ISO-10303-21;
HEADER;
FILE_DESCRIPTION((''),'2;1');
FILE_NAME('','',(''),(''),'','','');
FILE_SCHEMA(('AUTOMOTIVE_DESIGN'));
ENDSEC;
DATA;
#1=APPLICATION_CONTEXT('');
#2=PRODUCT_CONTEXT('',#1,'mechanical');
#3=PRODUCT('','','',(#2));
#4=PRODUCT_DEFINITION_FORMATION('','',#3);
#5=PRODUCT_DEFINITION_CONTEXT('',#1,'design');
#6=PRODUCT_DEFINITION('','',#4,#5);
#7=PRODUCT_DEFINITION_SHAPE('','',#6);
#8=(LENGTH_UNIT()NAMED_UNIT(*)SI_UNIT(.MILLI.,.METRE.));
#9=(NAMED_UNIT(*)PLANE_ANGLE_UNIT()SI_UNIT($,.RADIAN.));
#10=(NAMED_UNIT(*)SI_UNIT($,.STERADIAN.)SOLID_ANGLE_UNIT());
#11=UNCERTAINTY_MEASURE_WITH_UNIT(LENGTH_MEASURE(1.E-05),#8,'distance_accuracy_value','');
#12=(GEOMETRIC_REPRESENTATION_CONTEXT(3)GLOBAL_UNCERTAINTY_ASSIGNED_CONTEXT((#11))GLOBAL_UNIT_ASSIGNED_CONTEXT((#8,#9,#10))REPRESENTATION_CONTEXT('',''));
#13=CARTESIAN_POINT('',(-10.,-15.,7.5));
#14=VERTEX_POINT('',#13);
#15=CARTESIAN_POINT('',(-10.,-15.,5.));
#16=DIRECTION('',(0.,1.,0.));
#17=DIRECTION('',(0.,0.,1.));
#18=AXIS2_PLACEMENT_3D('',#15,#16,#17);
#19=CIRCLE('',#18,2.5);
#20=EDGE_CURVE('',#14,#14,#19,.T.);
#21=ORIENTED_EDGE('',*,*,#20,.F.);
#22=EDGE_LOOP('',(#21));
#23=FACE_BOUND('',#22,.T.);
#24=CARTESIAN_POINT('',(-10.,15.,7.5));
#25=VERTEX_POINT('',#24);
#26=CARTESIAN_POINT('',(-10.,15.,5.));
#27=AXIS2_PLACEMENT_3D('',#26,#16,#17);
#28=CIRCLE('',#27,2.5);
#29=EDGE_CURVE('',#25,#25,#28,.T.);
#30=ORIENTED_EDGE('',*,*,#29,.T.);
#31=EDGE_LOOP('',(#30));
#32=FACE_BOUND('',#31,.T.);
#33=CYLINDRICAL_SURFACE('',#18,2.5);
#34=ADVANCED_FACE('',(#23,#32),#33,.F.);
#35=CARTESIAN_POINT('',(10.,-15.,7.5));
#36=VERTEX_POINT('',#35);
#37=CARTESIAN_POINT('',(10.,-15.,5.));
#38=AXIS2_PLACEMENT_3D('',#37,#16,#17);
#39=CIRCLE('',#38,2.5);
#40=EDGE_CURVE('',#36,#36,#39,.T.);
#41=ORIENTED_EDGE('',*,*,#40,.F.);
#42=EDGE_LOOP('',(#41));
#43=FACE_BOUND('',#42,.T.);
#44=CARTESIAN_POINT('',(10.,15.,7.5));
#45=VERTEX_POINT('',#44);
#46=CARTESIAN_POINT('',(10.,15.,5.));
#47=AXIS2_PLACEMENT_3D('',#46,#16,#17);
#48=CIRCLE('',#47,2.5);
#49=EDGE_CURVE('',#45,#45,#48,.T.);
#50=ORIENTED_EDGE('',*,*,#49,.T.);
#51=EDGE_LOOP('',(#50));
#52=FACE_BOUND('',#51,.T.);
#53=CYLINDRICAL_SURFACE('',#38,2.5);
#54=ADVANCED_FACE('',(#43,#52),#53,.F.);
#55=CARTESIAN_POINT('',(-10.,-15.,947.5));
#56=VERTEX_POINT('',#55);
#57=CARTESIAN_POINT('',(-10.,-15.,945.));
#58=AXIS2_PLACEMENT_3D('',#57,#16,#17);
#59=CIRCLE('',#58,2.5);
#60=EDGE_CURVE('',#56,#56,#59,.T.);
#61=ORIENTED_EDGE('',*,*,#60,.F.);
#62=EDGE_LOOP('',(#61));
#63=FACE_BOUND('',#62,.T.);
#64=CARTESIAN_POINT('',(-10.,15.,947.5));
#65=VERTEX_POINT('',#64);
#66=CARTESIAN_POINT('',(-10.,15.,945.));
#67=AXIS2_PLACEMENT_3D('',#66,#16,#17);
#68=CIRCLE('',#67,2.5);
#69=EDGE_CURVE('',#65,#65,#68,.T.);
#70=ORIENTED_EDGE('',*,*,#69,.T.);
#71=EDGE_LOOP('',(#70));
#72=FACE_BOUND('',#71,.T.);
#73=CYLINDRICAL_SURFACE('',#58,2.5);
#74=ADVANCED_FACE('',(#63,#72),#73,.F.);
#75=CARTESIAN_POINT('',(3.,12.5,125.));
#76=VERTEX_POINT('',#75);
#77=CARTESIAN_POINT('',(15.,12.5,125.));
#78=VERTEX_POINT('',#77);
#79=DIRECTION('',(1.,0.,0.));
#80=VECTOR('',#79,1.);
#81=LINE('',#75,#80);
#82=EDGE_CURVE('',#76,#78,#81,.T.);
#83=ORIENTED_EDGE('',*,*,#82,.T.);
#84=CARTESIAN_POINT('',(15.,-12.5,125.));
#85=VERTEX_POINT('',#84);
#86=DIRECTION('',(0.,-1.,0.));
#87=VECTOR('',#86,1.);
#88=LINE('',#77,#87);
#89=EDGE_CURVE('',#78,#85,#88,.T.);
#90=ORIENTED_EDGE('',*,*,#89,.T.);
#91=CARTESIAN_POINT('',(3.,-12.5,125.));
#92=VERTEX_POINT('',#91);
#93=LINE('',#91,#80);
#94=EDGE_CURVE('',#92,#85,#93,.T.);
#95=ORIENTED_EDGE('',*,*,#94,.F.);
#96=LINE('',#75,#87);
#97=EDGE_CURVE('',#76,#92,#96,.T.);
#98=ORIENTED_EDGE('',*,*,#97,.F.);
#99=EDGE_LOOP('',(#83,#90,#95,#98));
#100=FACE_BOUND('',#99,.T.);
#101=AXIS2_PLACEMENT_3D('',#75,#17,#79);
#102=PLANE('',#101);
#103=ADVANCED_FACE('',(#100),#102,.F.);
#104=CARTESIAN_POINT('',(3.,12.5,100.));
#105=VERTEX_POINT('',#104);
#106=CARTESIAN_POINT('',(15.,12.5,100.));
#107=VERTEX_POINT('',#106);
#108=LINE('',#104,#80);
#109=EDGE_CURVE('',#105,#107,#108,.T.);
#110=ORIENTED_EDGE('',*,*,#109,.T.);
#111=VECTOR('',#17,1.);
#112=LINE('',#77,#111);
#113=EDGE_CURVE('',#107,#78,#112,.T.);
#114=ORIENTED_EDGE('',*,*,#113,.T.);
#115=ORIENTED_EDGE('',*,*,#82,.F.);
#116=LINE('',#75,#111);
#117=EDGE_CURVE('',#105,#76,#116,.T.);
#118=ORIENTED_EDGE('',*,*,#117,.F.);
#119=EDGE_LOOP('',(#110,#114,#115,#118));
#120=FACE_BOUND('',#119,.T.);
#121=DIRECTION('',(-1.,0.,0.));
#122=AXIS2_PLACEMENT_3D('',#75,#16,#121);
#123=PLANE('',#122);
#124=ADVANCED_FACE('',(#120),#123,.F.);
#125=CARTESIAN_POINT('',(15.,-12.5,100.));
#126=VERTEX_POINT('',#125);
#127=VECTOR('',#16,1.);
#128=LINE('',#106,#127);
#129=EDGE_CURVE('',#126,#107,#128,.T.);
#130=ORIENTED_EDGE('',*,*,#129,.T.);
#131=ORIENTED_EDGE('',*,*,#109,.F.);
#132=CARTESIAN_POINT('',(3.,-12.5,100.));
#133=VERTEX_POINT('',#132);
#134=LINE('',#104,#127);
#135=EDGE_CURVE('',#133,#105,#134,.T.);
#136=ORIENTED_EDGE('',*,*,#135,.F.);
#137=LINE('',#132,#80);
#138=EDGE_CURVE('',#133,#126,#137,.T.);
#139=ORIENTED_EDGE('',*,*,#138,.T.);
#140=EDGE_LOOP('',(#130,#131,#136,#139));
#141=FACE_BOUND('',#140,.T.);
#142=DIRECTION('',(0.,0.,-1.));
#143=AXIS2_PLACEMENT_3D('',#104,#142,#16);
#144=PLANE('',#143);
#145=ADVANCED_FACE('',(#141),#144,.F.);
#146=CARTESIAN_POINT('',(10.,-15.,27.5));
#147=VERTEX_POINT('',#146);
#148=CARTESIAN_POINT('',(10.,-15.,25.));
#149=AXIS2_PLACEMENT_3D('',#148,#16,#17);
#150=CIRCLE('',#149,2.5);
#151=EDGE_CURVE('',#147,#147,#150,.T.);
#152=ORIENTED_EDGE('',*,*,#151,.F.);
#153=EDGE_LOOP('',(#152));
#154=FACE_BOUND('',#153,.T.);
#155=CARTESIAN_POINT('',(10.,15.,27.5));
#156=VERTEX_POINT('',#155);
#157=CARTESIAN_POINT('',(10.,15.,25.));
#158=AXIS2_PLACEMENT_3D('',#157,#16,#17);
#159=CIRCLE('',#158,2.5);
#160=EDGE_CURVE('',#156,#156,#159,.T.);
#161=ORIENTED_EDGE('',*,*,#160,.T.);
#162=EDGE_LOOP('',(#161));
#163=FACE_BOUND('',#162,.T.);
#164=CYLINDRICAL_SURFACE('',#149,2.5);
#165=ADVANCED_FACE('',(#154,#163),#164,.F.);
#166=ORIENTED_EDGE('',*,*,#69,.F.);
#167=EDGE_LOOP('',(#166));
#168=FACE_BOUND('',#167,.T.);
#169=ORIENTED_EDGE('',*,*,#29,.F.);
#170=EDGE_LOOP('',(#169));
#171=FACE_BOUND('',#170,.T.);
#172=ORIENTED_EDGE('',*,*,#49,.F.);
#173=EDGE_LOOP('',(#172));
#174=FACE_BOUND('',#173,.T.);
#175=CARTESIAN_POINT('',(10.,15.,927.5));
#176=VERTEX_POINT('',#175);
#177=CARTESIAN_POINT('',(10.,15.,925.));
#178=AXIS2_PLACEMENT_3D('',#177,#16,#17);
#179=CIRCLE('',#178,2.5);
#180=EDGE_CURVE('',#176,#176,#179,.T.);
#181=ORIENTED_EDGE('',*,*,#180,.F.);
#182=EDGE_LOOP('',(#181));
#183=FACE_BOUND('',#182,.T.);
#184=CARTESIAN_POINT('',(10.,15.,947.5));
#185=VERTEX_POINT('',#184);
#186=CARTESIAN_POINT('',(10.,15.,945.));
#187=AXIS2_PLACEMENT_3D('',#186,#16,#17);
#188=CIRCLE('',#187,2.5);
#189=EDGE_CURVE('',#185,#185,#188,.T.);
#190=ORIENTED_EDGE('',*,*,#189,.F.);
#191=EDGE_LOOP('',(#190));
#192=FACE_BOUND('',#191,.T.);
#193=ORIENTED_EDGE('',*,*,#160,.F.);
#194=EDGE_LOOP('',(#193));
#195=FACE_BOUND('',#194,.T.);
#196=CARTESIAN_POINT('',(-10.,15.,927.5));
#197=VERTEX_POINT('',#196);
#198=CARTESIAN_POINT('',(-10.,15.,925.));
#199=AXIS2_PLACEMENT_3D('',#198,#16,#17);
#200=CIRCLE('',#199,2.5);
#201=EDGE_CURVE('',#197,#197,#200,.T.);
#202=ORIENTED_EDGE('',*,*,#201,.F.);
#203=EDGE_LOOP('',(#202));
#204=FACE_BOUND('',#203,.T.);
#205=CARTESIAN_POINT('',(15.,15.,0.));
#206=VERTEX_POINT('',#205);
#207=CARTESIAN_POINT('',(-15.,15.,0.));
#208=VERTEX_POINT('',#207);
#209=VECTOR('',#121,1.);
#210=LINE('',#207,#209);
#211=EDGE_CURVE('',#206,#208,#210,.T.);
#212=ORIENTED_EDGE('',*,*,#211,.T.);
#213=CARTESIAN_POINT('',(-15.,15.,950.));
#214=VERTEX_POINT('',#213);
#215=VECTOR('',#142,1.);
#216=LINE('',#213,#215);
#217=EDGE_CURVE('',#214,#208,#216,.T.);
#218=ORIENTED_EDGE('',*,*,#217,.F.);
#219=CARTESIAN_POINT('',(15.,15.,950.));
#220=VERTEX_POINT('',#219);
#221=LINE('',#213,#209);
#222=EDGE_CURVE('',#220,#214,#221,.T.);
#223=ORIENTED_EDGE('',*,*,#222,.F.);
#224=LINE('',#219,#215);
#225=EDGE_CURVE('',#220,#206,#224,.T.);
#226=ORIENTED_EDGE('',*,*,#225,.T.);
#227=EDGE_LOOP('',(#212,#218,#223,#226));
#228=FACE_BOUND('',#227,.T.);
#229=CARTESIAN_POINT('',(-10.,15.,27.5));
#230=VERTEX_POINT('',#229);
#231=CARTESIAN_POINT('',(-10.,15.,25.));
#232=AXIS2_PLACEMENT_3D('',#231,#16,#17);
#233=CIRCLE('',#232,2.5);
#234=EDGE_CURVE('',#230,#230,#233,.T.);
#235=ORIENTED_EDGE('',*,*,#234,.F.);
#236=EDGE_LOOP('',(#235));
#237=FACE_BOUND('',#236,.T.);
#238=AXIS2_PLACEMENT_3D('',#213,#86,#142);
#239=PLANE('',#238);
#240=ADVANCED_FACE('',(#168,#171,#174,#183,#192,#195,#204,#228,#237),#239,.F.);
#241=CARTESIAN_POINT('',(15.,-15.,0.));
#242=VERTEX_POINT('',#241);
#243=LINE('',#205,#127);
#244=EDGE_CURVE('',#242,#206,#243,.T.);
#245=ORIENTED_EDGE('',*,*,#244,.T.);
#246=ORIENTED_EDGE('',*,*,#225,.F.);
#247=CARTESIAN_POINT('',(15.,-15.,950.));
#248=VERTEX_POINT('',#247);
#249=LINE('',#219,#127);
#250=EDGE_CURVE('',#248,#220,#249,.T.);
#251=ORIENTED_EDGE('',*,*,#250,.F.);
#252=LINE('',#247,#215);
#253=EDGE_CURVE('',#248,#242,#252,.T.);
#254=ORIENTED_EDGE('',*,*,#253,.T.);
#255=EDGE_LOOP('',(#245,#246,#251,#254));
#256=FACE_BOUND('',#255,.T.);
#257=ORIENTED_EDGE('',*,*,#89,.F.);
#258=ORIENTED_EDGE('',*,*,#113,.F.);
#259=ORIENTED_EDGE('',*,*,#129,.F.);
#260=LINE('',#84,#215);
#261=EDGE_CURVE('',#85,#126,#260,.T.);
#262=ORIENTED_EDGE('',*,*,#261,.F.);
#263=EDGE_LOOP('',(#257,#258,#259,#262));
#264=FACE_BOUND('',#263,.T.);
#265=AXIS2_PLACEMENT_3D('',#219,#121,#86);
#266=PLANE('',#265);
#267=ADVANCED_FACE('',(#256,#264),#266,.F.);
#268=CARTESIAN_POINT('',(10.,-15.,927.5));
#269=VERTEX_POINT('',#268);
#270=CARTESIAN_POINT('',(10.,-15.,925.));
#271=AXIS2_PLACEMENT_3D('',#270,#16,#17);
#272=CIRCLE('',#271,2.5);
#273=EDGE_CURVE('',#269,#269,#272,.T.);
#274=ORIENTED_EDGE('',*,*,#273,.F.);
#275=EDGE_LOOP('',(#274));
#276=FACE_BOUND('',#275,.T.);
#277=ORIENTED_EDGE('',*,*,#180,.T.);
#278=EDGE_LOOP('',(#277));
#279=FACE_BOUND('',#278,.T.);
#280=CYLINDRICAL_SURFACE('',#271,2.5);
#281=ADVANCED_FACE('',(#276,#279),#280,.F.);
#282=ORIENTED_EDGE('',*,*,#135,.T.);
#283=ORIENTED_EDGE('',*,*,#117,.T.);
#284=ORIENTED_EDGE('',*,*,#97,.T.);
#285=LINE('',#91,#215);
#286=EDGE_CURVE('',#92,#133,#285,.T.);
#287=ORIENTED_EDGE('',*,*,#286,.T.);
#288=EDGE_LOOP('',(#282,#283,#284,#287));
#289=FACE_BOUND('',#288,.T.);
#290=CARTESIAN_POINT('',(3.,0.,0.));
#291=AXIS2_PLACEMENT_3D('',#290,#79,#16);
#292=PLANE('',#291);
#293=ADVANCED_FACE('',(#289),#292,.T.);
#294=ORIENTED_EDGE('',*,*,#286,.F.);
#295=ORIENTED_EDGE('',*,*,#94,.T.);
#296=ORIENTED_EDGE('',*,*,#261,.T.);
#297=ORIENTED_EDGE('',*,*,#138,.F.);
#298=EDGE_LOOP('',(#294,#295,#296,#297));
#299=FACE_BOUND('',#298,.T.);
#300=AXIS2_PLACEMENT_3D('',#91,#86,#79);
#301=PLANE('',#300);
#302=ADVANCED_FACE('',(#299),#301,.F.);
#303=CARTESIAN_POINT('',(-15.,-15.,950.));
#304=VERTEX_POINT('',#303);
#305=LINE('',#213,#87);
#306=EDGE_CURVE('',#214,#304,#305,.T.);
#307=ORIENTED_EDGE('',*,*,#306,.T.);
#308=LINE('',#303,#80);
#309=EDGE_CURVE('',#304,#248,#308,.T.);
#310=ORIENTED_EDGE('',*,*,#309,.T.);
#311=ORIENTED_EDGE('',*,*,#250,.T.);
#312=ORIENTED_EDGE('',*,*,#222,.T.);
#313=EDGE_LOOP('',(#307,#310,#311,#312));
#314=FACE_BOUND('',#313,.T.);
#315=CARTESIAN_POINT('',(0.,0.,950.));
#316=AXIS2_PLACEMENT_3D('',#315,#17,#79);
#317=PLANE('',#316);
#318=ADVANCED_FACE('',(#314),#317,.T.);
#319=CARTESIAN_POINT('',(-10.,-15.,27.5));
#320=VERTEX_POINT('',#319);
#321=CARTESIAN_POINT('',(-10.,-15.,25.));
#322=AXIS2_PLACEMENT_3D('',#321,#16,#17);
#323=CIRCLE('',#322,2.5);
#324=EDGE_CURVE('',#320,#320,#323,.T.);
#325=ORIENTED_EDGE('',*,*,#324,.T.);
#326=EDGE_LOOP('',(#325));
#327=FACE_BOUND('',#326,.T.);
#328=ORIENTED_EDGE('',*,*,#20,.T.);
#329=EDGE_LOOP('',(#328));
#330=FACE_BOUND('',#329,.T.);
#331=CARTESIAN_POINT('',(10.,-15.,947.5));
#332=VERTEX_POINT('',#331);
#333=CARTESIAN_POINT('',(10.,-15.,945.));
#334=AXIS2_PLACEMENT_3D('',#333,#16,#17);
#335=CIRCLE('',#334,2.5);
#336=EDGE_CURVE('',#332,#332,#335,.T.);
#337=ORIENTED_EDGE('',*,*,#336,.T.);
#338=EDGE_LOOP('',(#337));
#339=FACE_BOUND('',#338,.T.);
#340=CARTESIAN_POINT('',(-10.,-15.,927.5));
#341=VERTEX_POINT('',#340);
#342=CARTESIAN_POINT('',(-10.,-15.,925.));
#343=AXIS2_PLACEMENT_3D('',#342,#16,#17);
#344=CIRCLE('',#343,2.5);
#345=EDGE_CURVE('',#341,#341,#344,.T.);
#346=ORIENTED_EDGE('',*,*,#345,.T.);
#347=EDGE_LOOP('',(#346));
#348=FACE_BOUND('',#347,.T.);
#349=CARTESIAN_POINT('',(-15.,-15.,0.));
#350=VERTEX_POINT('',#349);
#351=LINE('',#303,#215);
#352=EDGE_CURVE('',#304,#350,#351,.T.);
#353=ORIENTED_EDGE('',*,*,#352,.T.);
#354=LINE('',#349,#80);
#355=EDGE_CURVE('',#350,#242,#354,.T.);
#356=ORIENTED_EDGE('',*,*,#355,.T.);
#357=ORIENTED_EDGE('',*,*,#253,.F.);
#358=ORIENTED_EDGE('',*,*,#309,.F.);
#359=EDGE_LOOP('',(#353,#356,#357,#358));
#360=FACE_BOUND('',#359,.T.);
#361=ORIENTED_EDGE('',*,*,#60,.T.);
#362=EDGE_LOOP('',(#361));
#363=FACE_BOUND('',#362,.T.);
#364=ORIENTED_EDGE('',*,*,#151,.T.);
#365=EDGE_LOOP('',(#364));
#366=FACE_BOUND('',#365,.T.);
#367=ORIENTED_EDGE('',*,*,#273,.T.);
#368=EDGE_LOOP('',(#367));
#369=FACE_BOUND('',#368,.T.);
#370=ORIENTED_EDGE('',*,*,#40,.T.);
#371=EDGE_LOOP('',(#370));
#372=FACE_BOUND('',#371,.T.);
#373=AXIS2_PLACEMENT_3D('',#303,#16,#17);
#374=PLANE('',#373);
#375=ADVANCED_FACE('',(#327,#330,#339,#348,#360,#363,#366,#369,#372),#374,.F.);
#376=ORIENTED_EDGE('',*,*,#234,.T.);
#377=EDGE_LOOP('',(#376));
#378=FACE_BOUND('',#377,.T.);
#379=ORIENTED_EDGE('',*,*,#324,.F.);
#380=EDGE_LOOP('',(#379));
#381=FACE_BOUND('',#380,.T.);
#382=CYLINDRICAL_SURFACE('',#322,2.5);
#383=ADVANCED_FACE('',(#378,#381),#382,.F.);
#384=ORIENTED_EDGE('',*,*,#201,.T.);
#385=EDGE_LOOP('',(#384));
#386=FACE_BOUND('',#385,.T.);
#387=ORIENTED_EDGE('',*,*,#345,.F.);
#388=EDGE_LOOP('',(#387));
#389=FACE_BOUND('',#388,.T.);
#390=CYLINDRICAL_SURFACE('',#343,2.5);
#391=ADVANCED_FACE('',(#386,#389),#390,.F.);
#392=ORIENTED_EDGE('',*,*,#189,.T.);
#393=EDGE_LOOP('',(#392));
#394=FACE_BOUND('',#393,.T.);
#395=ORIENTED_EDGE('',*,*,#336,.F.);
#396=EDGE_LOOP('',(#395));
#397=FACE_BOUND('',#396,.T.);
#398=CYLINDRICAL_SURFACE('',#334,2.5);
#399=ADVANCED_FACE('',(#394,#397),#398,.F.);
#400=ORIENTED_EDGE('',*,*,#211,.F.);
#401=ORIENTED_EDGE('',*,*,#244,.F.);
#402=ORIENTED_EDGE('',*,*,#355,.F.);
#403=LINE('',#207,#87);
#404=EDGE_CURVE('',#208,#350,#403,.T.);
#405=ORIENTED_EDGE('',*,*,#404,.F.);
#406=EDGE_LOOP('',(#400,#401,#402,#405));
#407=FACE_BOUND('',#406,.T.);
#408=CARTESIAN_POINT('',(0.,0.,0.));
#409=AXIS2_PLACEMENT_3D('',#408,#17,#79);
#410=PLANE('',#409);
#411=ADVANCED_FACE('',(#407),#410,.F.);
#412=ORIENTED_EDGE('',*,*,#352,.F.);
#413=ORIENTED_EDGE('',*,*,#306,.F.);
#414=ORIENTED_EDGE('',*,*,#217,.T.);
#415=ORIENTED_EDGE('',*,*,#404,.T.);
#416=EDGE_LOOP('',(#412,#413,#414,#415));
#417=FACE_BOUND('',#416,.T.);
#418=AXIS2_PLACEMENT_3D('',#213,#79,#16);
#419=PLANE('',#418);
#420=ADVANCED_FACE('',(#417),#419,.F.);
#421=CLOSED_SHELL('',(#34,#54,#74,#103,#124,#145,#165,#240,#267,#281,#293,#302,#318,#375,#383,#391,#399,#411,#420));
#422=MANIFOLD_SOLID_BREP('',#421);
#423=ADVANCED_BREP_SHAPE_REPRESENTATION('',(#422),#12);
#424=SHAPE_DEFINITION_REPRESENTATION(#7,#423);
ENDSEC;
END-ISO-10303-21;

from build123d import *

# Parameters (mm, degrees)
SKETCH1_W           = 30
SKETCH1_H           = 30
BOSS_EXTRUDE1_DEPTH = 950
SKETCH2_R           = 2.5
CUT_EXTRUDE1_DEPTH  = 30
SKETCH4_W           = 25
SKETCH4_H           = 25
CUT_EXTRUDE3_DEPTH  = 12


with BuildPart() as part:
    # Sketch1 → Boss-Extrude1 (new body)
    with BuildSketch(Plane.XY):
        Rectangle(SKETCH1_W, SKETCH1_H)
    extrude(amount=BOSS_EXTRUDE1_DEPTH)

    # Sketch2 → Cut-Extrude1 (cut)
    with BuildSketch(Plane(origin=(0, 15, 0), x_dir=(1, 0, 0), z_dir=(0, 1, 0))):
        with Locations(Location((-10, -925, 0), (0, 0, 270))):
            Circle(SKETCH2_R)
        with Locations(Location((10, -925, 0), (0, 0, 270))):
            Circle(SKETCH2_R)
        with Locations(Location((10, -945, 0), (0, 0, 270))):
            Circle(SKETCH2_R)
        with Locations(Location((-10, -945, 0), (0, 0, 270))):
            Circle(SKETCH2_R)
        with Locations(Location((-10, -5, 0), (0, 0, 270))):
            Circle(SKETCH2_R)
        with Locations(Location((10, -5, 0), (0, 0, 270))):
            Circle(SKETCH2_R)
        with Locations(Location((10, -25, 0), (0, 0, 270))):
            Circle(SKETCH2_R)
        with Locations(Location((-10, -25, 0), (0, 0, 270))):
            Circle(SKETCH2_R)
    extrude(amount=-CUT_EXTRUDE1_DEPTH, mode=Mode.SUBTRACT)

    # Sketch4 → Cut-Extrude3 (cut)
    with BuildSketch(Plane(origin=(15, 0, 0), x_dir=(0, 0, -1), z_dir=(1, 0, 0))):
        with Locations((-112.5, 0)):
            Rectangle(SKETCH4_W, SKETCH4_H)
    extrude(amount=-CUT_EXTRUDE3_DEPTH, mode=Mode.SUBTRACT)


solid = part.part
